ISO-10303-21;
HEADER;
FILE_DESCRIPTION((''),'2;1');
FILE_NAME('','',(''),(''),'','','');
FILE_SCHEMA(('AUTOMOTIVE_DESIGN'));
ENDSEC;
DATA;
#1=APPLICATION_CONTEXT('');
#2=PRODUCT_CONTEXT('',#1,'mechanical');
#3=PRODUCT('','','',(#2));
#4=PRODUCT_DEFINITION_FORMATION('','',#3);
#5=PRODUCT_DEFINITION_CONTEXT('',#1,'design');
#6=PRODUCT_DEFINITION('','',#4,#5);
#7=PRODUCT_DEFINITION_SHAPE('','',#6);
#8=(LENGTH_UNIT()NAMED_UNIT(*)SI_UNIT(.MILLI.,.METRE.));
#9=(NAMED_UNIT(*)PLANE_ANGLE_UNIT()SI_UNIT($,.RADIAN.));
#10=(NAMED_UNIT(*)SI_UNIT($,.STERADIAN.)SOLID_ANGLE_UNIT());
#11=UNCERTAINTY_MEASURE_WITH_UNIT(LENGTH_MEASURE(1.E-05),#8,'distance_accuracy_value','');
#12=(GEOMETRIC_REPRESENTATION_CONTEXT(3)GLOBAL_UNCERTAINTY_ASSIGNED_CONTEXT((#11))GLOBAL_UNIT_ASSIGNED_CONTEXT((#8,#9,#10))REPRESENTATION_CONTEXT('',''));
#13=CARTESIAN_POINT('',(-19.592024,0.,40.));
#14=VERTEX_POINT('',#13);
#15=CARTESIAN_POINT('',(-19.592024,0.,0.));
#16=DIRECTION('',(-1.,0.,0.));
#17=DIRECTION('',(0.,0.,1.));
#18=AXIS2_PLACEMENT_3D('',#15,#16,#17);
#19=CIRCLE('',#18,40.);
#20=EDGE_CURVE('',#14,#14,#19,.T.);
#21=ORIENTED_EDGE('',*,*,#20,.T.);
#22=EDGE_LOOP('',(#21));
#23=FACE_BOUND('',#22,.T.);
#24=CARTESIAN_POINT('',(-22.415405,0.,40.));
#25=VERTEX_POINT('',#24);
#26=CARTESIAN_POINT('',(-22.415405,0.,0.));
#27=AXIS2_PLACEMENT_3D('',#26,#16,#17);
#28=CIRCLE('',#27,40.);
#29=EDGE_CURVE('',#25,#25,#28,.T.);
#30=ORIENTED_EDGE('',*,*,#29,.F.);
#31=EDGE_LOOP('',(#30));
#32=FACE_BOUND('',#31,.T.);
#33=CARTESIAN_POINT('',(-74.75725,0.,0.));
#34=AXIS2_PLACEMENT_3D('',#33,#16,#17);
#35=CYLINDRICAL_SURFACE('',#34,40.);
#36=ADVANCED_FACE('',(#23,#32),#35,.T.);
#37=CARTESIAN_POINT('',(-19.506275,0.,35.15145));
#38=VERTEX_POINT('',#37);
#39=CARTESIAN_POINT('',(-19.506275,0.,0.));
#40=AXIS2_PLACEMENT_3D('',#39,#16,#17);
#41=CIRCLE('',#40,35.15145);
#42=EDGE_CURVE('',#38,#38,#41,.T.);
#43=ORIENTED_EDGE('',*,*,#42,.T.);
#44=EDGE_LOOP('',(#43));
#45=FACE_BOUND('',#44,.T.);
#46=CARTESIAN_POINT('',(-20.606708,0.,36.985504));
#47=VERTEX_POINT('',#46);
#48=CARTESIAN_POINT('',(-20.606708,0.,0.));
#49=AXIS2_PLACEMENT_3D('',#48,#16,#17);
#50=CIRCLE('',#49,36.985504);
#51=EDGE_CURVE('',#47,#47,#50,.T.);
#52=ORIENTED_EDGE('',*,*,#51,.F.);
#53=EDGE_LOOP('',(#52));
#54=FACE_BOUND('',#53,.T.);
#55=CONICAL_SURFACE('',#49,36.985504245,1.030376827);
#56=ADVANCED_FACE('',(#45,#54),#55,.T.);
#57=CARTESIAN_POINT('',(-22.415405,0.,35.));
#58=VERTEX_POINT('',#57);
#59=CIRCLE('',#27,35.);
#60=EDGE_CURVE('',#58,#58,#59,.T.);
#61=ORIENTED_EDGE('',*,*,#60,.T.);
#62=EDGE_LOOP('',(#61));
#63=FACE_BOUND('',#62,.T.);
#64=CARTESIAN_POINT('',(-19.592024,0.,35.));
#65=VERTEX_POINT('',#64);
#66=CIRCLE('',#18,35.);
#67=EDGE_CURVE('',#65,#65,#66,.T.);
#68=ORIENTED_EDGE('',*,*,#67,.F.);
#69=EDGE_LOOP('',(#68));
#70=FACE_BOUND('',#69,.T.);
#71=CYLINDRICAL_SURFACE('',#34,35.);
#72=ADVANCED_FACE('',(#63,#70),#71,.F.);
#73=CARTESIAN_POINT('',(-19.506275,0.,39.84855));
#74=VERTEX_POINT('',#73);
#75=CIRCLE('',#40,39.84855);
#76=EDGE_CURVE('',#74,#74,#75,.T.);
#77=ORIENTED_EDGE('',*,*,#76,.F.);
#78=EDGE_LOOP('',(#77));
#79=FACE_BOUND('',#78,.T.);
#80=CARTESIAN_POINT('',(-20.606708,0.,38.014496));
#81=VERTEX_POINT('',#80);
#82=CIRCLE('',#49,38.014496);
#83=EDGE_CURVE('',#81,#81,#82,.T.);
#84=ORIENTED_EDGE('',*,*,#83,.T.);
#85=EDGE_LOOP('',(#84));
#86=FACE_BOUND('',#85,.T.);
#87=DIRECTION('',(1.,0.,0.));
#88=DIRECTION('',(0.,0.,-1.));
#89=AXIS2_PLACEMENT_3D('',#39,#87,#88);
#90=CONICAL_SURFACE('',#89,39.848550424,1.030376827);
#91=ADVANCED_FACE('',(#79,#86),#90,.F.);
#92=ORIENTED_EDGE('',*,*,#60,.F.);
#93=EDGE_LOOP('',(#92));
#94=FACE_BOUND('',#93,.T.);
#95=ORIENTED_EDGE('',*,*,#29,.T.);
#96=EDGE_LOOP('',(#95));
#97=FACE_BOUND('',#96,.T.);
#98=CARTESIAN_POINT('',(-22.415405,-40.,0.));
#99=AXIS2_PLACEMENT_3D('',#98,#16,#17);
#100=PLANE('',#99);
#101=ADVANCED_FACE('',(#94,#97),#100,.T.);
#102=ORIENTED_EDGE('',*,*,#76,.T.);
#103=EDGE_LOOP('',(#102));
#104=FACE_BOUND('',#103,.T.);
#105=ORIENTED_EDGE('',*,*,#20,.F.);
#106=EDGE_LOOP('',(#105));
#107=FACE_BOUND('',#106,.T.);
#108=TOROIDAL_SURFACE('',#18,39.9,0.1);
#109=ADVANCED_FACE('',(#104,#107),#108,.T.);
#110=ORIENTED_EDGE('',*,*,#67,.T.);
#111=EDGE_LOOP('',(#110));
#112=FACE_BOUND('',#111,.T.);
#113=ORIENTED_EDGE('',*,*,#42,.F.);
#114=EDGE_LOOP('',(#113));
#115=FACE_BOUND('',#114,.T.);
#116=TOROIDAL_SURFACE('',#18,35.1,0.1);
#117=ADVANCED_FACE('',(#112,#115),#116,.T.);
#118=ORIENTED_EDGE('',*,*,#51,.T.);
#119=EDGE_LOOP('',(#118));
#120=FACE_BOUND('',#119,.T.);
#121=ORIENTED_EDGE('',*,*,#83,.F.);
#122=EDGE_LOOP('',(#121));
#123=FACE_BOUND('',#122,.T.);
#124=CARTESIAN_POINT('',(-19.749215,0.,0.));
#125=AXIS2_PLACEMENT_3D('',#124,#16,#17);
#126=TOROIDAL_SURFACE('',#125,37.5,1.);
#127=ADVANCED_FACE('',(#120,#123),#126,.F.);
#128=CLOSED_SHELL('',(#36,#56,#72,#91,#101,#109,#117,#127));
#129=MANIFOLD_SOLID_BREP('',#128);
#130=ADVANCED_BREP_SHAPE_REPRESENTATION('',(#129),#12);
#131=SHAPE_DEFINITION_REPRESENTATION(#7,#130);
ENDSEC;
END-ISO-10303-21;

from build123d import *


with BuildPart() as part:
    # Sketch1 → Revolve1 (revolve)
    with BuildSketch(Plane.XY, mode=Mode.PRIVATE) as revolve1_sk:
        with BuildLine():
            Line((-22.415404975, -40), (-19.592024013, -40))
            ThreePointArc((-19.592024013, -40), (-19.505004023, -39.949269881), (-19.506274721, -39.848550424))
            Line((-19.506274721, -39.848550424), (-20.606707522, -38.014495755))
            ThreePointArc((-20.606707522, -38.014495755), (-20.749214596, -37.5), (-20.606707522, -36.985504245))
            Line((-20.606707522, -36.985504245), (-19.506274721, -35.151449576))
            ThreePointArc((-19.506274721, -35.151449576), (-19.505004023, -35.050730119), (-19.592024013, -35))
            Line((-19.592024013, -35), (-22.415404975, -35))
            Line((-22.415404975, -35), (-22.415404975, -40))
        make_face()
    revolve(revolve1_sk.sketch.rotate(Axis((-74.757250499, 0, 0), (1, 0, 0)), 270), axis=Axis((-74.757250499, 0, 0), (1, 0, 0)))


solid = part.part
